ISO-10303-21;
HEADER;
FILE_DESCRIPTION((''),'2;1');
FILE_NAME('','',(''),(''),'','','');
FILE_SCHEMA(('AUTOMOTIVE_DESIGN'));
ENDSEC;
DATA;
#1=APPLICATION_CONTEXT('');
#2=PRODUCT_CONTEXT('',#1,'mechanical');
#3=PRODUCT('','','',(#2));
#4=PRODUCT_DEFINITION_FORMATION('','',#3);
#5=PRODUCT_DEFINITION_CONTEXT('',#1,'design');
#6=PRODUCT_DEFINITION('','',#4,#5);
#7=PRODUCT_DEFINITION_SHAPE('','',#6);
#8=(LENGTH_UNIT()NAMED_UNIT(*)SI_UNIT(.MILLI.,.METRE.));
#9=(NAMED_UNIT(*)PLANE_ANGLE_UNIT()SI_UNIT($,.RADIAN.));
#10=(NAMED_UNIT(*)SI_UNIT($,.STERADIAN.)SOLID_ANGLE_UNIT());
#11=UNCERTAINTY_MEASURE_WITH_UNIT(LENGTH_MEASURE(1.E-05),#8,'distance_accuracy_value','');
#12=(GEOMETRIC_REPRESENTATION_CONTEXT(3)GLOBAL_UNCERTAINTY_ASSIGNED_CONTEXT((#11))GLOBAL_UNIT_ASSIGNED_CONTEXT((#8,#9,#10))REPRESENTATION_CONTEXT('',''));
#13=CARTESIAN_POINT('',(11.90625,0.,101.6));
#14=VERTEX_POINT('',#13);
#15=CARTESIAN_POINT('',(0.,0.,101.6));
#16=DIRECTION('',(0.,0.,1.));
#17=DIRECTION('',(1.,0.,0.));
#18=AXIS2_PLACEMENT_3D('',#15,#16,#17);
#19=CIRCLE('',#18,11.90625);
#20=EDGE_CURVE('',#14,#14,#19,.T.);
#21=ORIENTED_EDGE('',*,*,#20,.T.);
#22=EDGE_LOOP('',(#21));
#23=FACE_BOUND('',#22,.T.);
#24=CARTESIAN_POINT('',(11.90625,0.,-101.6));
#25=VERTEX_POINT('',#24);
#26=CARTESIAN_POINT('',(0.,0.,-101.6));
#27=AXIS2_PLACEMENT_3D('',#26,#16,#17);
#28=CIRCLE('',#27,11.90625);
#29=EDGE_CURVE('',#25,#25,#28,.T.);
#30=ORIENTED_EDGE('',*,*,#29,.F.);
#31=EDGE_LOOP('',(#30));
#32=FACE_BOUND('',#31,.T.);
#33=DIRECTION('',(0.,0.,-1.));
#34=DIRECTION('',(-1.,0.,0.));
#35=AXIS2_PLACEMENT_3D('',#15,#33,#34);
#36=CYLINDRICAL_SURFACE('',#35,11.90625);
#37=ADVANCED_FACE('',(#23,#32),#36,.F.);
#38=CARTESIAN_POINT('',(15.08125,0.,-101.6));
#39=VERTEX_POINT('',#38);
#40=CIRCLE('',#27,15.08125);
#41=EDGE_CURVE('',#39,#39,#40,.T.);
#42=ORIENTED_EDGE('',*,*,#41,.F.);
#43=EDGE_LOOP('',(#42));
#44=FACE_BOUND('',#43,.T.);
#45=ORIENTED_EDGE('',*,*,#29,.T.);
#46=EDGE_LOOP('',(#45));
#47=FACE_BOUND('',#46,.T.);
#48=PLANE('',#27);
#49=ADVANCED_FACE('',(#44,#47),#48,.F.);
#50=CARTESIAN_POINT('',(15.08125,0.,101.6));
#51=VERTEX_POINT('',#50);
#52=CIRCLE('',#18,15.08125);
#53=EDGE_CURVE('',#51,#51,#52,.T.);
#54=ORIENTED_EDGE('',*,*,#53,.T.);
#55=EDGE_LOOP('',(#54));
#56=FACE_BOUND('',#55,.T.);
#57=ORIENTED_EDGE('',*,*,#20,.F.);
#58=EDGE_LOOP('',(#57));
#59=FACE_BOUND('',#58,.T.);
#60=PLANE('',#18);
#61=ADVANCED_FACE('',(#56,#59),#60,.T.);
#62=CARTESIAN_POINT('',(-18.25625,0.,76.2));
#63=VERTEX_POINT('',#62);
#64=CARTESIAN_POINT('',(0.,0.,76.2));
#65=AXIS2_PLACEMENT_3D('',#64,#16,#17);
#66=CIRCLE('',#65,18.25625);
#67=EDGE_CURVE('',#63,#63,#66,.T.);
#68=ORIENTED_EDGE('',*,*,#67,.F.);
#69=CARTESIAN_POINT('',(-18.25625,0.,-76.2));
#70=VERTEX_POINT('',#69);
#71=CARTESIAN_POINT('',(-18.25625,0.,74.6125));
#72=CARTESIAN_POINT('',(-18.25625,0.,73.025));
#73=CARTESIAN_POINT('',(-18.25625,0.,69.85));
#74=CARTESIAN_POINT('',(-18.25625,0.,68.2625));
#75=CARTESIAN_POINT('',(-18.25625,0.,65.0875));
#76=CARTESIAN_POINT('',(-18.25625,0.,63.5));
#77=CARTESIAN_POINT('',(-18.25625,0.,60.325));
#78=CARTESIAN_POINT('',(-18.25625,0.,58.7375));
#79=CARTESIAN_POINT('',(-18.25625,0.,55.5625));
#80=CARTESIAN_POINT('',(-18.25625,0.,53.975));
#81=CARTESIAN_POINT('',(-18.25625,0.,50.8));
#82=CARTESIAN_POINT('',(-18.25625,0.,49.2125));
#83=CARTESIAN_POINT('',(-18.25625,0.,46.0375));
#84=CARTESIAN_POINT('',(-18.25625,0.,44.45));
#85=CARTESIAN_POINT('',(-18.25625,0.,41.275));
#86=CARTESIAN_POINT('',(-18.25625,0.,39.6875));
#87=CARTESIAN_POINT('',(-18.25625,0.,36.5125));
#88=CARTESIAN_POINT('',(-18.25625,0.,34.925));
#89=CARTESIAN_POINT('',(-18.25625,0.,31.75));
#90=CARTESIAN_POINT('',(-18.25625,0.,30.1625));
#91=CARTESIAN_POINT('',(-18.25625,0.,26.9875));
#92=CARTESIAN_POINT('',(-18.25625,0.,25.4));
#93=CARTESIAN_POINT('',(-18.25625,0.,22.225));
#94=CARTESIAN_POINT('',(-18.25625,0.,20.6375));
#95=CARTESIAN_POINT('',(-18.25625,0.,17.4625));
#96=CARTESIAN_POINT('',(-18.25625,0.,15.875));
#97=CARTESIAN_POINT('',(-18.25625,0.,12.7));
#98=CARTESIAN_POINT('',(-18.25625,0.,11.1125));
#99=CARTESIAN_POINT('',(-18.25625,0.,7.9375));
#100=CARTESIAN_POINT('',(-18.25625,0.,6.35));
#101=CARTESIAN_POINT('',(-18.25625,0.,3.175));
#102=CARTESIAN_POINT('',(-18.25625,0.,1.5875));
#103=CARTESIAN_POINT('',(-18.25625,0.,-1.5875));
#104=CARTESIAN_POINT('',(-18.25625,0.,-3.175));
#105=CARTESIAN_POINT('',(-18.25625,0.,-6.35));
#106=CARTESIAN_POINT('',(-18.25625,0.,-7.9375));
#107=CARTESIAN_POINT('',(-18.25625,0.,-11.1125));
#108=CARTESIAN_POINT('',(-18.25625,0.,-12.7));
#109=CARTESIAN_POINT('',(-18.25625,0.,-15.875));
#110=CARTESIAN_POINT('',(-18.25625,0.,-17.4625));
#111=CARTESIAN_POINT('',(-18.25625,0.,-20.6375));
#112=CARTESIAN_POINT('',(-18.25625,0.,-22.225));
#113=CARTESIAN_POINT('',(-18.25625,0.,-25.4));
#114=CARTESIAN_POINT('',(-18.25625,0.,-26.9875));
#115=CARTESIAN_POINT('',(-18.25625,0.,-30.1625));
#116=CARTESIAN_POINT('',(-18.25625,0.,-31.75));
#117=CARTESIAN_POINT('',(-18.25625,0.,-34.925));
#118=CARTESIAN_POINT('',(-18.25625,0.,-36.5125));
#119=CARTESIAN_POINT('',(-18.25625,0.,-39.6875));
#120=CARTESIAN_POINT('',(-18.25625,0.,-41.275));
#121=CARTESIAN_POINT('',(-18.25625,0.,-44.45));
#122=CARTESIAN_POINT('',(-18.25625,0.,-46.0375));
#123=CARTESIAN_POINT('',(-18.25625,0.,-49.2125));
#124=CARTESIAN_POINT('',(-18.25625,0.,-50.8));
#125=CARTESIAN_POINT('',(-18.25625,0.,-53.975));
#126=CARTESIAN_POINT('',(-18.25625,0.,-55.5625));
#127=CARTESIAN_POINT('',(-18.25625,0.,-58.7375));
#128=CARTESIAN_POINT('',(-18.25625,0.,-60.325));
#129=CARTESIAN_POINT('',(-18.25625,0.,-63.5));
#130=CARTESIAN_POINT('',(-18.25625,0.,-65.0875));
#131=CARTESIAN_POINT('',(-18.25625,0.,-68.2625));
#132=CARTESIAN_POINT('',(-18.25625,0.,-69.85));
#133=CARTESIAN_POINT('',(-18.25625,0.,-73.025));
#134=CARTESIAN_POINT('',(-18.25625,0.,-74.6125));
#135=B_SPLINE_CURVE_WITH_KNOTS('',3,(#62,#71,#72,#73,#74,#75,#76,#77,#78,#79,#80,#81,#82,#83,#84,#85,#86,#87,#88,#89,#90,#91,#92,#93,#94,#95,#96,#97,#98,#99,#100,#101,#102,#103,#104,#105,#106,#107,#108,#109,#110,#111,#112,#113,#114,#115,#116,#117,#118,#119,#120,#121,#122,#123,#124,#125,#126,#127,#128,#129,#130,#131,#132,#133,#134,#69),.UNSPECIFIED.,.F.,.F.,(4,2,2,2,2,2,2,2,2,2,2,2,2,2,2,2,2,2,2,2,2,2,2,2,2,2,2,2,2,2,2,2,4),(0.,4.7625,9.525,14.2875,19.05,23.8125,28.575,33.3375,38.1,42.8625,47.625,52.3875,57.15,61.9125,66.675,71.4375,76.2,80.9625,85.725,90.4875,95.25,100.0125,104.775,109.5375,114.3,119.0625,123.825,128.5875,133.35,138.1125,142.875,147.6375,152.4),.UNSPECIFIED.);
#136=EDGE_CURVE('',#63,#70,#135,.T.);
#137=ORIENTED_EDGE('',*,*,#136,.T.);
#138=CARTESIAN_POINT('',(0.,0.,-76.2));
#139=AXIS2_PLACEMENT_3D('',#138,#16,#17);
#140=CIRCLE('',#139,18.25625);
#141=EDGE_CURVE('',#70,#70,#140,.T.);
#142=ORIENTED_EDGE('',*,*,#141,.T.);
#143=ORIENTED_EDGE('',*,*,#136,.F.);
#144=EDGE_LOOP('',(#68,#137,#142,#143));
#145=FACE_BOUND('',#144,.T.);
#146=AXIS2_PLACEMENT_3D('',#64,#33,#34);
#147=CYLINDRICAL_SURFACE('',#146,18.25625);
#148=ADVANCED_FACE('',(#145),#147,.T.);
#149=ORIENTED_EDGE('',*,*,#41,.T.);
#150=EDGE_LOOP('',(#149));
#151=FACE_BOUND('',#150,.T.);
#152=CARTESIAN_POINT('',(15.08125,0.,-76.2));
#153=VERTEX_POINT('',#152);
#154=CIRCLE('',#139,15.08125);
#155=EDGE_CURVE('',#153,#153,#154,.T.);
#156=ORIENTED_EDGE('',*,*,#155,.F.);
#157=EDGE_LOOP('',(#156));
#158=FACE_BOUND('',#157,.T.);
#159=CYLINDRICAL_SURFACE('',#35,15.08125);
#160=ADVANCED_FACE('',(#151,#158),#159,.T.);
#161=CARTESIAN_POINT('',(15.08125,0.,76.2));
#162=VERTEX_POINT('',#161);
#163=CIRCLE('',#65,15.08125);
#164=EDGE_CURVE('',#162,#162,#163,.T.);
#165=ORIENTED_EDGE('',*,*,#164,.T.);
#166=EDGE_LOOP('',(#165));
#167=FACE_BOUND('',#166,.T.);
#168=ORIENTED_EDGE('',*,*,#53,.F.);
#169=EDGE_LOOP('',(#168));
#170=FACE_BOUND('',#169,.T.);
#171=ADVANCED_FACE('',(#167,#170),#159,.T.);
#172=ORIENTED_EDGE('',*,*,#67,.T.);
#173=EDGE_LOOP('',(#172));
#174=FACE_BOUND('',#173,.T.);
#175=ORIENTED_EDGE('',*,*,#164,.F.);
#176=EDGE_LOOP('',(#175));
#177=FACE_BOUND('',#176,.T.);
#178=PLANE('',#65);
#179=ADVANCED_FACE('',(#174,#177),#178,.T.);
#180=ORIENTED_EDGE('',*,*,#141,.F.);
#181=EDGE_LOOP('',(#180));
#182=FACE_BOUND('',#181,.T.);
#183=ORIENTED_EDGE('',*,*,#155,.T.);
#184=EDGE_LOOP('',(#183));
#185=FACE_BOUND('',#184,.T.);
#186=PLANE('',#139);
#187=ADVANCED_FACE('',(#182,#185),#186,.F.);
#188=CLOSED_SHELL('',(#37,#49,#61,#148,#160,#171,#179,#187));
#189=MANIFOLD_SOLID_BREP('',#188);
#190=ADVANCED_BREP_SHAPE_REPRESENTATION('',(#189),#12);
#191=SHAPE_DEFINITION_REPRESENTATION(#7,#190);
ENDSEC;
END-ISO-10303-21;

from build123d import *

# Parameters (mm, degrees)
SKETCH1_R           = 15.08125
SKETCH1_R_2         = 11.90625
BOSS_EXTRUDE1_DEPTH = 101.6
SKETCH2_R           = 18.25625
SKETCH2_R_2         = 11.90625
BOSS_EXTRUDE2_DEPTH = 76.2


with BuildPart() as part:
    # Sketch1 → Boss-Extrude1 (new, symmetric)
    with BuildSketch(Plane.XY):
        Circle(SKETCH1_R)
        Circle(SKETCH1_R_2, mode=Mode.SUBTRACT)
    extrude(amount=BOSS_EXTRUDE1_DEPTH, both=True)

    # Sketch2 → Boss-Extrude2 (add, symmetric)
    with BuildSketch(Plane.XY):
        with Locations(Location((0, 0, 0), (0, 0, 180))):
            Circle(SKETCH2_R)
        Circle(SKETCH2_R_2, mode=Mode.SUBTRACT)
    extrude(amount=BOSS_EXTRUDE2_DEPTH, both=True)


solid = part.part
